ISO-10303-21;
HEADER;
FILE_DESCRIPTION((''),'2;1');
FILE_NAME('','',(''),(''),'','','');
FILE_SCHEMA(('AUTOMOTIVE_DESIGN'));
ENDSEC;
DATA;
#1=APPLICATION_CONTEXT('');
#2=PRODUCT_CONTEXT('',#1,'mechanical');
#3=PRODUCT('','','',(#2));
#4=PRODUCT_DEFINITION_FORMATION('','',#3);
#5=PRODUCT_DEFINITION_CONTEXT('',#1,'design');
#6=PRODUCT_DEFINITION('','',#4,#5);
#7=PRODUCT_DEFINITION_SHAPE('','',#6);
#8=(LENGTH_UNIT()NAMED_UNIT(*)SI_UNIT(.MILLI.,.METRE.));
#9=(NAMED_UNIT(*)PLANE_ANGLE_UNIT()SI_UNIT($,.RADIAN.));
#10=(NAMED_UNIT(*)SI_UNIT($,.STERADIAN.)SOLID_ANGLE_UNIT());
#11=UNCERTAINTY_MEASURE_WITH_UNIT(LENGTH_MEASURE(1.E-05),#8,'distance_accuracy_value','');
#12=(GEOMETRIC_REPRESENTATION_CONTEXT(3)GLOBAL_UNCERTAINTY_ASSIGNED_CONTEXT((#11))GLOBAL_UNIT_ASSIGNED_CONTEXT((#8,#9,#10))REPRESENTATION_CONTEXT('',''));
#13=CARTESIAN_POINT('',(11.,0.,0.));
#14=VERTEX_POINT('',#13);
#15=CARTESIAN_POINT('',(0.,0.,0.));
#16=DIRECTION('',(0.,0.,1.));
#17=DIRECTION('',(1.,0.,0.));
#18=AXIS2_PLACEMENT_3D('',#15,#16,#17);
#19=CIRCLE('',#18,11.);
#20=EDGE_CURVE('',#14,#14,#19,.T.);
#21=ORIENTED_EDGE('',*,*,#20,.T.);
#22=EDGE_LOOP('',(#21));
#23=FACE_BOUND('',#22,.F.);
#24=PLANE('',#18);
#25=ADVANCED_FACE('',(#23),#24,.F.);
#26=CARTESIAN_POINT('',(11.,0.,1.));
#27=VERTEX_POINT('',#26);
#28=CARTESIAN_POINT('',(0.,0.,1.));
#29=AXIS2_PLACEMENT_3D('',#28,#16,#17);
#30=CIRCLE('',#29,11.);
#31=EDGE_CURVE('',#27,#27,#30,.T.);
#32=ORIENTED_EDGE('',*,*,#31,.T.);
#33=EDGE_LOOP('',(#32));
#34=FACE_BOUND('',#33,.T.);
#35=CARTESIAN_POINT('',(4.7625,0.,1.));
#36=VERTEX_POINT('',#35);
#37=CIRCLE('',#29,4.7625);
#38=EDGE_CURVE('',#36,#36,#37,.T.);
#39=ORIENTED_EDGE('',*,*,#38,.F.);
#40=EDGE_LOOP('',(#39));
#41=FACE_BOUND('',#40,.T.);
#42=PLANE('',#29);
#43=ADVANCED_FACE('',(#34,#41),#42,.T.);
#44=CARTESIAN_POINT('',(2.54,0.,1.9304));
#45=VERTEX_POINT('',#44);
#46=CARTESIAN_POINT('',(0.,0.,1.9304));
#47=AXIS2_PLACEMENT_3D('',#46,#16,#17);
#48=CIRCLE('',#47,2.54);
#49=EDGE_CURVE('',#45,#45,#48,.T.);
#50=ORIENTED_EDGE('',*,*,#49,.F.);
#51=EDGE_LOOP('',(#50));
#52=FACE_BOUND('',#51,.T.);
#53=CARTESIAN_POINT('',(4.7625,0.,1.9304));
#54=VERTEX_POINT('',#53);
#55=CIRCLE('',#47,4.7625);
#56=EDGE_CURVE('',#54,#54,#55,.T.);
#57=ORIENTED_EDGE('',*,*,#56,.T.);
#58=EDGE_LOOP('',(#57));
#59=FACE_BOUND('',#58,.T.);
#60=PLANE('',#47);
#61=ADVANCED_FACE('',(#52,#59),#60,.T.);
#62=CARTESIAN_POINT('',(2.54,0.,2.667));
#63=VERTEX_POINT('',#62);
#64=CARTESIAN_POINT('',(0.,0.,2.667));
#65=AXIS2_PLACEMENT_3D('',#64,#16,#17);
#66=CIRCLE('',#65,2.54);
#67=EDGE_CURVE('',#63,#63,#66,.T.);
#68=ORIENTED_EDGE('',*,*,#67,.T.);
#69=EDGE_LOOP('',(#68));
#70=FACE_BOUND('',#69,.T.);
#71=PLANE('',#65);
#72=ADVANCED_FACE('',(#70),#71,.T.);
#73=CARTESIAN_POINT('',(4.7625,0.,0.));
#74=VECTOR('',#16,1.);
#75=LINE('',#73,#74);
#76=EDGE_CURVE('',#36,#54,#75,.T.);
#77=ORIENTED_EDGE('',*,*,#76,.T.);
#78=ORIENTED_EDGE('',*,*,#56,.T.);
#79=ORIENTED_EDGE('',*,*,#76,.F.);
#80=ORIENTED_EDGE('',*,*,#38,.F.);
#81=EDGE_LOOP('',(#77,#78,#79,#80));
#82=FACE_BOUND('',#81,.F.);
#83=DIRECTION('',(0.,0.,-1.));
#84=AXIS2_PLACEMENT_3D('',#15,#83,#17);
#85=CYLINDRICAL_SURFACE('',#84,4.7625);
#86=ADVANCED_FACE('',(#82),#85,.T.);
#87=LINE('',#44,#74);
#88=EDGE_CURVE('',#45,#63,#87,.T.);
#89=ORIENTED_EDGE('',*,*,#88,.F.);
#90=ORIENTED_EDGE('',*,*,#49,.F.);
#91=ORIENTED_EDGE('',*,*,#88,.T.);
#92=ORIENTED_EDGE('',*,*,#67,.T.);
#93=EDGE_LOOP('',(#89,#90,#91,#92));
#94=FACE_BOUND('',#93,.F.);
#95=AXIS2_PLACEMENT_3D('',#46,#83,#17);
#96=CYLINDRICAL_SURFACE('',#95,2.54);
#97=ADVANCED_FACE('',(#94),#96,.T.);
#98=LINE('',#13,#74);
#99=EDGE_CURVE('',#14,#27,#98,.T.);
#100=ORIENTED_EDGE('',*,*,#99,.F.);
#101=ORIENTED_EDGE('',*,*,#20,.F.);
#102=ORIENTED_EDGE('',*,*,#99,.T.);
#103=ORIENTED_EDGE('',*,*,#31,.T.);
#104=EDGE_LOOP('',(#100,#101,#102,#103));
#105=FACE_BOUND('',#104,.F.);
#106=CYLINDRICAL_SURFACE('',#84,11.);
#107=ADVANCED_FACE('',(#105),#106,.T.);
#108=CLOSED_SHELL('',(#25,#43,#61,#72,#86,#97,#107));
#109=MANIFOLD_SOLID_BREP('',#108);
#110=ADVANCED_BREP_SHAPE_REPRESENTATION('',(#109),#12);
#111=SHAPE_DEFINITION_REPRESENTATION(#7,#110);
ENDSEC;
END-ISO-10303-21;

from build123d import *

# Parameters (mm, degrees)
F0_R     = 4.7625
F0_R_2   = 2.613606
F1_DEPTH = 1.9304
F0_R_3   = 11
F2_DEPTH = 1
F3_R     = 2.54
F4_DEPTH = 0.7366


with BuildPart() as f1:
    # F0 (on Top) → F1 (new body)
    with BuildSketch(Plane.XY):
        Circle(F0_R)
        Circle(F0_R_2, mode=Mode.SUBTRACT)
        Circle(F0_R_2)
    extrude(amount=F1_DEPTH)

    # F0 (on Top) → F2 (join)
    with BuildSketch(Plane.XY):
        Circle(F0_R_3)
        Circle(F0_R, mode=Mode.SUBTRACT)
    extrude(amount=F2_DEPTH)

    # F3 (on face) → F4 (join)
    with BuildSketch(Plane.XY.offset(1.9304)):
        Circle(F3_R)
    extrude(amount=F4_DEPTH)


solid = f1.part
